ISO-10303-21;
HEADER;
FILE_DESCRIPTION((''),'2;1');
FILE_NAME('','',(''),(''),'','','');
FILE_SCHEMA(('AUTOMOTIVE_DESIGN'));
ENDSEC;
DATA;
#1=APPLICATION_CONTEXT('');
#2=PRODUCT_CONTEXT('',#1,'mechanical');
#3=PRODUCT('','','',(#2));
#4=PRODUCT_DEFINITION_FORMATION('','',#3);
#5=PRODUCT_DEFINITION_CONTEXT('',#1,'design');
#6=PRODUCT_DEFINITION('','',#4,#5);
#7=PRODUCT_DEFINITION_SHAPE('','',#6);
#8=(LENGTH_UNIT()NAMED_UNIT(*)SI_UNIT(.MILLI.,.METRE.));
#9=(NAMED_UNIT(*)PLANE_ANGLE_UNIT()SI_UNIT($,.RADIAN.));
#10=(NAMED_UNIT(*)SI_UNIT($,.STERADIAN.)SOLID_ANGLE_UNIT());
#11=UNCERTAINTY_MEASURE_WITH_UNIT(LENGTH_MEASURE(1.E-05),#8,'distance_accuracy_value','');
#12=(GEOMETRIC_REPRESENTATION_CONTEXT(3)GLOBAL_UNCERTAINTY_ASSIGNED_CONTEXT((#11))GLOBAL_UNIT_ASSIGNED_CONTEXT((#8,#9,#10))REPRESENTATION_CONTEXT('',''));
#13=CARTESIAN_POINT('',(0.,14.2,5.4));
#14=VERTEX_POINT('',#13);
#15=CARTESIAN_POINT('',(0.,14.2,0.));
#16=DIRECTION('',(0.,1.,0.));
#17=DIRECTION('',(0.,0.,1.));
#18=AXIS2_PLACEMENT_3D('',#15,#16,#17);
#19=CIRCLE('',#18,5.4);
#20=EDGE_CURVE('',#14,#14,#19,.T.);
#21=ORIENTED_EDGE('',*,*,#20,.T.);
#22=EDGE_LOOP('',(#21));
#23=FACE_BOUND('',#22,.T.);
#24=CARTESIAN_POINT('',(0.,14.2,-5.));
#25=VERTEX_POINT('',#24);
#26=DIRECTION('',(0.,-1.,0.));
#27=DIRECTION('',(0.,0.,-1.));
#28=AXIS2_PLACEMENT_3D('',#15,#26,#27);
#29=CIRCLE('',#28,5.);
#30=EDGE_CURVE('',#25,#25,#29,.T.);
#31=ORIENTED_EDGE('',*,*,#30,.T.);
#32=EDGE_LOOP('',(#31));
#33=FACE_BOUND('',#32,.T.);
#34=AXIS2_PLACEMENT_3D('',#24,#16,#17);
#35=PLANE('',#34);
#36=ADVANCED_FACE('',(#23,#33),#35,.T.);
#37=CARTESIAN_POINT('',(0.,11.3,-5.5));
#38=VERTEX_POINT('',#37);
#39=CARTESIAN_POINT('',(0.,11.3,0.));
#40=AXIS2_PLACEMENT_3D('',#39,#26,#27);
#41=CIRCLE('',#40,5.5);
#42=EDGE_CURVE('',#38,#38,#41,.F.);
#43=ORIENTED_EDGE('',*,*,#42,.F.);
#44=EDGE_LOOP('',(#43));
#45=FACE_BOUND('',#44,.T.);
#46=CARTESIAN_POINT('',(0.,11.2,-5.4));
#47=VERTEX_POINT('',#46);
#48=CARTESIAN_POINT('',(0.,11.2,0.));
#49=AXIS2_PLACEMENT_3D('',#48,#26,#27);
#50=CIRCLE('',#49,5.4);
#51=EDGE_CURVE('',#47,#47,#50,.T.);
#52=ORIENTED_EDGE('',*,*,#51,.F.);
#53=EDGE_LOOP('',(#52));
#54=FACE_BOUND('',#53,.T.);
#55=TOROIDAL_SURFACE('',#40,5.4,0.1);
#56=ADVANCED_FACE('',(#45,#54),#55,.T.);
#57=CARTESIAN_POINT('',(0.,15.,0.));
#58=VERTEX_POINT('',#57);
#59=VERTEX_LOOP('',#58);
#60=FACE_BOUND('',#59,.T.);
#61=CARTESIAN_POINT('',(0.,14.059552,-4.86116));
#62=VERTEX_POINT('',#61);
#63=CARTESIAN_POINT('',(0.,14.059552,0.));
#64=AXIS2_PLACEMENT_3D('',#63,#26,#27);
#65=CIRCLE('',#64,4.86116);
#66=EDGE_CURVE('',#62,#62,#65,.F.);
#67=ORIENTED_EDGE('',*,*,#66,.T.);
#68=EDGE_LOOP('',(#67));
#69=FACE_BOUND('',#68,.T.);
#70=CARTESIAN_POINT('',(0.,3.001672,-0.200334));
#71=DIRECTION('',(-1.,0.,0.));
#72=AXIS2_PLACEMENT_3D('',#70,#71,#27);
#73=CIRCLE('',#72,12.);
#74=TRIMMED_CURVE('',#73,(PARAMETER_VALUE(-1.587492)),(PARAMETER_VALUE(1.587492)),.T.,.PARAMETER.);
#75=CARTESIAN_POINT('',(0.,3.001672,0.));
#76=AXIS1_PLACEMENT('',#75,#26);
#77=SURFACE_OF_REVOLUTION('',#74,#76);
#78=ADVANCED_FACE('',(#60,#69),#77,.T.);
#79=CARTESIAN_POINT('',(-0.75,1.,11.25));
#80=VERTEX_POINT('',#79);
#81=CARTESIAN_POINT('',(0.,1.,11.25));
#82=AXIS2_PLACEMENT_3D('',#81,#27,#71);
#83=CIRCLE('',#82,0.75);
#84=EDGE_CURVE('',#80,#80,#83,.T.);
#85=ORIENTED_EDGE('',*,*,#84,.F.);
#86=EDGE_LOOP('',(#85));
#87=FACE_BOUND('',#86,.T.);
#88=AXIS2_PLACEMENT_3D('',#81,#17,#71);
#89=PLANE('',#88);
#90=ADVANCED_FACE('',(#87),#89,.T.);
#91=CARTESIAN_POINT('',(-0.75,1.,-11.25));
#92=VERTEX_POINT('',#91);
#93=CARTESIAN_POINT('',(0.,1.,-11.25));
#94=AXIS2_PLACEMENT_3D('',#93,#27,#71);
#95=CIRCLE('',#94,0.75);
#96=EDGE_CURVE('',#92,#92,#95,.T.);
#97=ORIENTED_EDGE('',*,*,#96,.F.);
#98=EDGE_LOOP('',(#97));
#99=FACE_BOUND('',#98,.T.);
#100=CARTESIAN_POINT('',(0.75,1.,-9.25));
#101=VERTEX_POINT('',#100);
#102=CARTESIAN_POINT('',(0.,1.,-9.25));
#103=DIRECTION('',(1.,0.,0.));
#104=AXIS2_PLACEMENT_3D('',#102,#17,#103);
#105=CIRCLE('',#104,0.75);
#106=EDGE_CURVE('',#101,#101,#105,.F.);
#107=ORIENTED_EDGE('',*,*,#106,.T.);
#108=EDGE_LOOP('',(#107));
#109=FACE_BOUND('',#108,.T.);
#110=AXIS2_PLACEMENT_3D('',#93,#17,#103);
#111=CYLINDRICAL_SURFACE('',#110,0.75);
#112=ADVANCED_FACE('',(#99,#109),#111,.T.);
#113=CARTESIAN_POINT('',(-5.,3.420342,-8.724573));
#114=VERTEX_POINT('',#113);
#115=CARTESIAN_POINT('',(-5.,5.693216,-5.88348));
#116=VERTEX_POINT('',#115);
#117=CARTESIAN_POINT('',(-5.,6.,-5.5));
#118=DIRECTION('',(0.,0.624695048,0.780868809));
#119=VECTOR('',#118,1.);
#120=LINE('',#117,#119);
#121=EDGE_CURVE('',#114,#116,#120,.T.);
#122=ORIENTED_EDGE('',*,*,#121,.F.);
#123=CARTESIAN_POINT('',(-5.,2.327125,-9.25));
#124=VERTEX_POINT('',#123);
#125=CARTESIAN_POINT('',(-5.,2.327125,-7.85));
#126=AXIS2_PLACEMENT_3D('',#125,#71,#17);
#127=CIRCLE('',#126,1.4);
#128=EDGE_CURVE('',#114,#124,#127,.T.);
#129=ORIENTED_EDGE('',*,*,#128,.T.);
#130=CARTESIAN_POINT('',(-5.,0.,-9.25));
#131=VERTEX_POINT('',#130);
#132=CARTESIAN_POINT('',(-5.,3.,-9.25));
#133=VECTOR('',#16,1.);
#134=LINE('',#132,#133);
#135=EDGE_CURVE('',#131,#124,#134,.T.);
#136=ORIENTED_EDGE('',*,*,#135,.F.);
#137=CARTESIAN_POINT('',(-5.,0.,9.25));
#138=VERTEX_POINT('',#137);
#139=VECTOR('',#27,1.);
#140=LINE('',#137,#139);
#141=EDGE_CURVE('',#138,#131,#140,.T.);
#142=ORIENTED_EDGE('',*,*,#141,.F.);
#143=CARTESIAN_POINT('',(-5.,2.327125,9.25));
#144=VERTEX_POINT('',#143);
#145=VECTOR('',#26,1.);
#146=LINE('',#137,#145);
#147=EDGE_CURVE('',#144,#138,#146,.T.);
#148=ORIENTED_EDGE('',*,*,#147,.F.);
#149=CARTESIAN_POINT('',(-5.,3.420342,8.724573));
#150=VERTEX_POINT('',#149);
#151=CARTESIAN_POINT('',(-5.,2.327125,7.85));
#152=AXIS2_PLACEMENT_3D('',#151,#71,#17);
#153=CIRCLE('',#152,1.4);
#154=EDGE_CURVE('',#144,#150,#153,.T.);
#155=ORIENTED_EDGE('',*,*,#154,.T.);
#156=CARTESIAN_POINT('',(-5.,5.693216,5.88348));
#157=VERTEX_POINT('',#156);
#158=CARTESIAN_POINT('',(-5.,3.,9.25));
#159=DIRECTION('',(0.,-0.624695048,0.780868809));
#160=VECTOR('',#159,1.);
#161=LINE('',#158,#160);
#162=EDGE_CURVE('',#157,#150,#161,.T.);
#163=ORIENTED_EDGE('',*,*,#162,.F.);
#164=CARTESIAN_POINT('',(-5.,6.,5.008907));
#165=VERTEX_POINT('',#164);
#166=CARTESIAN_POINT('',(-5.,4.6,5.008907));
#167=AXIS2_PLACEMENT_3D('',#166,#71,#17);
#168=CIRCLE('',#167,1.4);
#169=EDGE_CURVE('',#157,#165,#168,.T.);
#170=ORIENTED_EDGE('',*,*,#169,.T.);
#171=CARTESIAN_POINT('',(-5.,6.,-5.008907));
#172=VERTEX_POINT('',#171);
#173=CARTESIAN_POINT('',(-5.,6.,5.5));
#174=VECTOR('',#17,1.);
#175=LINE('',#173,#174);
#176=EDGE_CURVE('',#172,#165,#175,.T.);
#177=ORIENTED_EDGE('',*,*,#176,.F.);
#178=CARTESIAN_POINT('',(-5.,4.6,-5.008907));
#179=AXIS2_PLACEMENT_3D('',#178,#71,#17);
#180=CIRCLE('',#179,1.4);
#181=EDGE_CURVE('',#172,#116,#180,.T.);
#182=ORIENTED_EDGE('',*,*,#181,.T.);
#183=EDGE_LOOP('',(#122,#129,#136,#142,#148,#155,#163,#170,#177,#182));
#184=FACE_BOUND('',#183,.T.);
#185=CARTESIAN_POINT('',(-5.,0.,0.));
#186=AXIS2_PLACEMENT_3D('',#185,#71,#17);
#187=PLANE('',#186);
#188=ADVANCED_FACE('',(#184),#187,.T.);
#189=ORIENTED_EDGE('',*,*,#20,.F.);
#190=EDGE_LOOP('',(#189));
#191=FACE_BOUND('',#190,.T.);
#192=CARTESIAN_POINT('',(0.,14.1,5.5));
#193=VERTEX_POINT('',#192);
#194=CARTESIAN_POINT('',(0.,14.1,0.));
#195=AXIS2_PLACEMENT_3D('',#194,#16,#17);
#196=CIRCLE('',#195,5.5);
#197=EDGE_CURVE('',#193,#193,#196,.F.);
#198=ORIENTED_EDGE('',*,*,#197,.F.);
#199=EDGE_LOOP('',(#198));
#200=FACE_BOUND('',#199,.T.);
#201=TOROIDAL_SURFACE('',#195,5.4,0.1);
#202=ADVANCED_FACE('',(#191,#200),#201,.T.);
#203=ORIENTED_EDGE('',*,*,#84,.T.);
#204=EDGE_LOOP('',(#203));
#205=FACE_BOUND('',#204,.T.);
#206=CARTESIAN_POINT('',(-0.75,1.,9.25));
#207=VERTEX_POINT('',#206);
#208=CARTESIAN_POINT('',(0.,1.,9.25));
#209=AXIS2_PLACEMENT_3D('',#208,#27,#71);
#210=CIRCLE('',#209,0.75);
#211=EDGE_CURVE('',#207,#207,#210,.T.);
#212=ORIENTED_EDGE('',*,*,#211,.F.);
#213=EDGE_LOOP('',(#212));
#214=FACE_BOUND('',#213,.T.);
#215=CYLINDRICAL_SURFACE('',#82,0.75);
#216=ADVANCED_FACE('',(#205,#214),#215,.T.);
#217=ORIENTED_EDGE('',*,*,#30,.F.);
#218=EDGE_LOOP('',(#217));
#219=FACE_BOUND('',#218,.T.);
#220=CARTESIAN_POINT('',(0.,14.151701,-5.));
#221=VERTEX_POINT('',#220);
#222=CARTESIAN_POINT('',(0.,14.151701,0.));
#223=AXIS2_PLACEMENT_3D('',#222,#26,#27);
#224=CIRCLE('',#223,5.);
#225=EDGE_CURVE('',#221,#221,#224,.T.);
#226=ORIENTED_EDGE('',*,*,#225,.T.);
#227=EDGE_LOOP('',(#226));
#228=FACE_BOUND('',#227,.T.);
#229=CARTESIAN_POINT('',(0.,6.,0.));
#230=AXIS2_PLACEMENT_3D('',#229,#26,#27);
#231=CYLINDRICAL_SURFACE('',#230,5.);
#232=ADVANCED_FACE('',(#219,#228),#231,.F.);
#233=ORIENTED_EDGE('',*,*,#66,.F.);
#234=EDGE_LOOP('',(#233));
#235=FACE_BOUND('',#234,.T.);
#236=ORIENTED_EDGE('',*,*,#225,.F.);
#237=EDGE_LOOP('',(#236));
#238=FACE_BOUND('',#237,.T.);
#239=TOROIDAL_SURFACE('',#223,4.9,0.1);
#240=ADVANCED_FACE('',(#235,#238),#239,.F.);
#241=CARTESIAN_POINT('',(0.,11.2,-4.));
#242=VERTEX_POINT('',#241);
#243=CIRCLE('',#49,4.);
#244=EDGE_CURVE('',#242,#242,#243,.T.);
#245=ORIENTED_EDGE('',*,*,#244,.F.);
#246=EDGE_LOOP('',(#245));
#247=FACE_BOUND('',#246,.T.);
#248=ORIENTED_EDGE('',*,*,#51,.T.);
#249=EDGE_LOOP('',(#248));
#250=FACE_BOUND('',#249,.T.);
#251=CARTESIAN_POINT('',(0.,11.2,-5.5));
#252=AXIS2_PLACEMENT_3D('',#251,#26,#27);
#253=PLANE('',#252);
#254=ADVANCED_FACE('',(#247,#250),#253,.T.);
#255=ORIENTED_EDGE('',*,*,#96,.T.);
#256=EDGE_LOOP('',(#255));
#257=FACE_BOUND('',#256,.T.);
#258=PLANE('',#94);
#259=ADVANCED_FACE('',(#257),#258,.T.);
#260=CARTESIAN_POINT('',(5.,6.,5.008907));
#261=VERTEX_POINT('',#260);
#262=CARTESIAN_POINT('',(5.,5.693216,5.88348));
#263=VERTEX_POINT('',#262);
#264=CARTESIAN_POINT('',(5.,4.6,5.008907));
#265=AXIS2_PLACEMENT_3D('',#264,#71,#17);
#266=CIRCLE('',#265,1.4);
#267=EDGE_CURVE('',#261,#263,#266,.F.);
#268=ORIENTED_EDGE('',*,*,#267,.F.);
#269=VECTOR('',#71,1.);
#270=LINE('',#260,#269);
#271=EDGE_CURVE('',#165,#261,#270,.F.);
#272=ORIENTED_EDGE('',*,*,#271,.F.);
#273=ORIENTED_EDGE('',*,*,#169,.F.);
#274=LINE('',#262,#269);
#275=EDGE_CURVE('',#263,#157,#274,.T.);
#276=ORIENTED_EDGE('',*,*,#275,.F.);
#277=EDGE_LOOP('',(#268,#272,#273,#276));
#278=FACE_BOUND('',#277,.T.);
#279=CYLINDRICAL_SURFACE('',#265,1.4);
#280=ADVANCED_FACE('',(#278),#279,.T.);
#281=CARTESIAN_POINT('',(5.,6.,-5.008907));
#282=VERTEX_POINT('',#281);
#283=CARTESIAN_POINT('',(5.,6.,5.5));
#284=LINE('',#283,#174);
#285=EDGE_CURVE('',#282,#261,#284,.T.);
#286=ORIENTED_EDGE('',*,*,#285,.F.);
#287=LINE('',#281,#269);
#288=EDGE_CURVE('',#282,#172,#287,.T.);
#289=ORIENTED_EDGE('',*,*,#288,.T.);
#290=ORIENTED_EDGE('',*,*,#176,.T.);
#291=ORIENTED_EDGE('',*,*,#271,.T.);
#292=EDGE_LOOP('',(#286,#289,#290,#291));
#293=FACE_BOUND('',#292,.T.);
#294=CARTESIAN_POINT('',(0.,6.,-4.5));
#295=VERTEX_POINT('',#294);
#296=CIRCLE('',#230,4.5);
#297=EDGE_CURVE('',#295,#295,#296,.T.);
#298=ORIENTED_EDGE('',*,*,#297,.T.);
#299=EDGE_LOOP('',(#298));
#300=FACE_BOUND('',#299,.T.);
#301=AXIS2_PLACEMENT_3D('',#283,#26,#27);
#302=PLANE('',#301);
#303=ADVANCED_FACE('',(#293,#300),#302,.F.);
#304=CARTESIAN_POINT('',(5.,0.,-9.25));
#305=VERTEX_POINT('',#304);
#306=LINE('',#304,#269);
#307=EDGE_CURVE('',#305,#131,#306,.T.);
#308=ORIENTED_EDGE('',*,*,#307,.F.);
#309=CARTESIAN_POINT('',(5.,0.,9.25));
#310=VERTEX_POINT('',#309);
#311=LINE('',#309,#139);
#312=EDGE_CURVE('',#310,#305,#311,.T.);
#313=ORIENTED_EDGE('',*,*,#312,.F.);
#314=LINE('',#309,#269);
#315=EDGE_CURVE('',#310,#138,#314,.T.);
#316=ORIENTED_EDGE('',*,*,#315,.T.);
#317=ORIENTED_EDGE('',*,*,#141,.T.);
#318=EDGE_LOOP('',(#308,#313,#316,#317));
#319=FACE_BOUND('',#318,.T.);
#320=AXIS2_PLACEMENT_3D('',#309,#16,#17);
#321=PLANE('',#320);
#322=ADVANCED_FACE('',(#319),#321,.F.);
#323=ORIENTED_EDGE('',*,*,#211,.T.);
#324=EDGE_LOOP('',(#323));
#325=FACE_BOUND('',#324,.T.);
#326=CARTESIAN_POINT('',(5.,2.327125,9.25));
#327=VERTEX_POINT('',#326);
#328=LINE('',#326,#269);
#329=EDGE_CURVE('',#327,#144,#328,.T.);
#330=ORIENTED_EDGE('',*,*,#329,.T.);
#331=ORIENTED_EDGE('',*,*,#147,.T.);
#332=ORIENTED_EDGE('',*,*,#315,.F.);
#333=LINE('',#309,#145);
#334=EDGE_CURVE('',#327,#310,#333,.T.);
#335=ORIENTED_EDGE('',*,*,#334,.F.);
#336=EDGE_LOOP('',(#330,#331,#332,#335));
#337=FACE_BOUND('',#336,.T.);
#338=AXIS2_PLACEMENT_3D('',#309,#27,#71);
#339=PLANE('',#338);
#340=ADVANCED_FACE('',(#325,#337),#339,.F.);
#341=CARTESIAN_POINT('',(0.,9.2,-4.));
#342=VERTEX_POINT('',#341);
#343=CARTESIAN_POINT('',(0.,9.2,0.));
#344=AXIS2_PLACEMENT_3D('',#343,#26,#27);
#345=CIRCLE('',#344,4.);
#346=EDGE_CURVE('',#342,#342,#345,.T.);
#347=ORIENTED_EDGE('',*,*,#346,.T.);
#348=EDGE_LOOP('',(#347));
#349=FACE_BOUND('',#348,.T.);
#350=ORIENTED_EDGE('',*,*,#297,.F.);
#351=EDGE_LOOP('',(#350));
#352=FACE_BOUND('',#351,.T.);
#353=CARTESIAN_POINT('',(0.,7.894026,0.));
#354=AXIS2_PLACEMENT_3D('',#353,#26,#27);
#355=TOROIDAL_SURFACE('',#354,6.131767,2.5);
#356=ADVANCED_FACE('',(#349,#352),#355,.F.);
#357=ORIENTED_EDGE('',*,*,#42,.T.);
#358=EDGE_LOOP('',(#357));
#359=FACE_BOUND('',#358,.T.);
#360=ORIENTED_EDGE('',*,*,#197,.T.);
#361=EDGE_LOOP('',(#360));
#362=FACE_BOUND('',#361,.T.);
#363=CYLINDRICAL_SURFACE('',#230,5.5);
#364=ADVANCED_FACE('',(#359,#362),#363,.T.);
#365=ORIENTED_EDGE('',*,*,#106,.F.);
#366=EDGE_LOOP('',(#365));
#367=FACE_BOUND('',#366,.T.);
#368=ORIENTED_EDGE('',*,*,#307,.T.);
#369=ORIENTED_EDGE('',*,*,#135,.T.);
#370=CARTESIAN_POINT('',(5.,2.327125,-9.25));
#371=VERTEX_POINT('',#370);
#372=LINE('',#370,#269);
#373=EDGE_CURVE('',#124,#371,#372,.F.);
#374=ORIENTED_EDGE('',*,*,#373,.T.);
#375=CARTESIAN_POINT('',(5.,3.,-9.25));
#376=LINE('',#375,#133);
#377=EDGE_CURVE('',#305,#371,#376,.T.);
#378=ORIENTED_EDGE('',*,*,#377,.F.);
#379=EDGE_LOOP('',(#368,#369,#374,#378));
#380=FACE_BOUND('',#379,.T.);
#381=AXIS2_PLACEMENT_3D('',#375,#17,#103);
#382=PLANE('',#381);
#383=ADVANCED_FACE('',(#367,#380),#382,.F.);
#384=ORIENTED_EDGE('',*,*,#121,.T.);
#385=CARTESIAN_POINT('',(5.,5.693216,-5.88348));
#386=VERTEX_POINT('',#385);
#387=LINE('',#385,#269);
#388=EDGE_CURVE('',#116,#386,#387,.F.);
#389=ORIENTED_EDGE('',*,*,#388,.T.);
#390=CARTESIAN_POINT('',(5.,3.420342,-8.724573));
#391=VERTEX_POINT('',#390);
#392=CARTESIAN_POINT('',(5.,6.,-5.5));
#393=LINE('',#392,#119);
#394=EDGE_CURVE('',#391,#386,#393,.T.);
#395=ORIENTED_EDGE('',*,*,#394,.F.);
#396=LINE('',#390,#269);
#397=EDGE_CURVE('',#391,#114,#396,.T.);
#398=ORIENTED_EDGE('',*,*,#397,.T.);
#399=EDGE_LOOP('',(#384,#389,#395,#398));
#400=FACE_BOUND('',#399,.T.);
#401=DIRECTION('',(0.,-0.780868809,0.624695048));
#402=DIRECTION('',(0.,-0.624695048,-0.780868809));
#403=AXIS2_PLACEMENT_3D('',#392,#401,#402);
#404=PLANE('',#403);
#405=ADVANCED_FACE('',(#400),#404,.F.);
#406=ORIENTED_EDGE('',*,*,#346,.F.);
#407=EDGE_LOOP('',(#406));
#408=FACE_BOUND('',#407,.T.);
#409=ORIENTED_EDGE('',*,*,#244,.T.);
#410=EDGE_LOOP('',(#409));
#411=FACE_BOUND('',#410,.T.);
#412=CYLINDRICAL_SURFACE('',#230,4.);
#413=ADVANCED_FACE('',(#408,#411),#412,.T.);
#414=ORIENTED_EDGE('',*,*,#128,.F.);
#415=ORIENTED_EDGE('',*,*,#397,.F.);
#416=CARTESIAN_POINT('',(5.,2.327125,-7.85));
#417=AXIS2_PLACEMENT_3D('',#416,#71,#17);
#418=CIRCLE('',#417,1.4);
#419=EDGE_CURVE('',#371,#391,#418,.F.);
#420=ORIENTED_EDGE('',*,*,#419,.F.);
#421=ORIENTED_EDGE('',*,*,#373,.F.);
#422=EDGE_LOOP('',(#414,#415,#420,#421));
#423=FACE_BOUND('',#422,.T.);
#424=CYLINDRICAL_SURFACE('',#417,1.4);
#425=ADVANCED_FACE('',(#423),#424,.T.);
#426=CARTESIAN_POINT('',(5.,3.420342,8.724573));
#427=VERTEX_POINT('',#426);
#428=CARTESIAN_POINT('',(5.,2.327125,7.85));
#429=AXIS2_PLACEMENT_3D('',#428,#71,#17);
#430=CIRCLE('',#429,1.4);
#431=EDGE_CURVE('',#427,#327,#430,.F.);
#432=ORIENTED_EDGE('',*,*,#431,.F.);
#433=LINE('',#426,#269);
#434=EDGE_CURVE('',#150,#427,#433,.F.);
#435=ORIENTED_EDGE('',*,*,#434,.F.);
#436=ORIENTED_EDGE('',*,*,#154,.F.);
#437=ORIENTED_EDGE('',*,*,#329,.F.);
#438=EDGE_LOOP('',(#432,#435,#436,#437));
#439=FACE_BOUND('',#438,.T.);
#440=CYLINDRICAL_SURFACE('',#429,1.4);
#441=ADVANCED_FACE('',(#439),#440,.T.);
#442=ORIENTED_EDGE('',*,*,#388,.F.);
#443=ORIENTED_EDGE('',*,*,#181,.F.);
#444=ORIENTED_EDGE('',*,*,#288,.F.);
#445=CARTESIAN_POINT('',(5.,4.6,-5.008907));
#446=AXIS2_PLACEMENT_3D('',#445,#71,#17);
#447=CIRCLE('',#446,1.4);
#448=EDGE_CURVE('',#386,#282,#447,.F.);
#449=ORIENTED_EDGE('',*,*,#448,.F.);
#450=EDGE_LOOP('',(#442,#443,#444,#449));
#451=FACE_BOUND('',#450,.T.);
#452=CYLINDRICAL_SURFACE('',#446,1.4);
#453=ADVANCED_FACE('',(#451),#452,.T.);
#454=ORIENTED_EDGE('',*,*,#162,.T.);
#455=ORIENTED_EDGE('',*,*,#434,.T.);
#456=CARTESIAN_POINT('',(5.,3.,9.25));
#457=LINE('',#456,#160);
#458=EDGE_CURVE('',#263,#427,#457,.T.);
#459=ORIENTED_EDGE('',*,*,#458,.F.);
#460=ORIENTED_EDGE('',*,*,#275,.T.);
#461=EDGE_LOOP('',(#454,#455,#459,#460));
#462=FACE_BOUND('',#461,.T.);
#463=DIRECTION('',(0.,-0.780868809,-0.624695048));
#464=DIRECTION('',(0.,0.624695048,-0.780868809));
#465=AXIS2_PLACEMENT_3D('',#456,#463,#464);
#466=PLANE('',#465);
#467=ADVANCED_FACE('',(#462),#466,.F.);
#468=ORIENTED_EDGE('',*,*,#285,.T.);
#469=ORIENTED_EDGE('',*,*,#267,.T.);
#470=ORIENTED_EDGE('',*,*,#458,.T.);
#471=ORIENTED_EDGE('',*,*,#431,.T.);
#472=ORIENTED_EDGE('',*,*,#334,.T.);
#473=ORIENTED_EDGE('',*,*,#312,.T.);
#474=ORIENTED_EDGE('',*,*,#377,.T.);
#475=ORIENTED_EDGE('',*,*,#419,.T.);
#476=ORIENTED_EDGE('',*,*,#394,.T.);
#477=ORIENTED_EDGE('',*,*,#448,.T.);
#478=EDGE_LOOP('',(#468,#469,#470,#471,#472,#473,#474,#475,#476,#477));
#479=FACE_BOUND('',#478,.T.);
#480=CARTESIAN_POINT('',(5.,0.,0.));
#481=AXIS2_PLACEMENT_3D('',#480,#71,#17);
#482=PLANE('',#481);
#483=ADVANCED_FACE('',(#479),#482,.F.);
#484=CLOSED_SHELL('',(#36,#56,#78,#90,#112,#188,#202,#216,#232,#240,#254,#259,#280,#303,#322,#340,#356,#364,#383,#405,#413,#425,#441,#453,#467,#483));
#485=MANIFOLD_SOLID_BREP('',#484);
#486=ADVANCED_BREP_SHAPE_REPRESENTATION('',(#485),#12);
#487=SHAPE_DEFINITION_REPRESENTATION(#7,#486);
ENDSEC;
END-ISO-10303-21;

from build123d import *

# Parameters (mm, degrees)
BOSS_EXTRUDE1_DEPTH = 5
FILLET1_R           = 0.1
FILLET2_R           = 0.1
FILLET3_R           = 1.4
SKETCH4_R           = 0.75
BOSS_EXTRUDE2_DEPTH = 2


with BuildPart() as part:
    # Sketch1 → Boss-Extrude1 (new body, symmetric)
    with BuildSketch(Plane(origin=(0, 0, 0), x_dir=(0, 0, -1), z_dir=(1, 0, 0))):
        Polygon((-9.25, 0), (9.25, 0), (9.25, 3), (5.5, 6), (-5.5, 6), (-9.25, 3), align=None)
    extrude(amount=BOSS_EXTRUDE1_DEPTH, both=True)

    # Sketch2 → Revolve1 (revolve)
    with BuildSketch(Plane(origin=(0, 0, 0), x_dir=(0, 0, -1), z_dir=(1, 0, 0))):
        with BuildLine():
            Line((0, 6), (0, 14))
            Line((0, 14), (5, 14))
            Line((5, 14), (5, 14.2))
            Line((5, 14.2), (5.5, 14.2))
            Line((5.5, 14.2), (5.5, 11.2))
            Line((5.5, 11.2), (4, 11.2))
            Line((4, 11.2), (4, 9.2))
            ThreePointArc((4, 9.2), (3.661737334, 7.508083958), (4.5, 6))
            Line((4.5, 6), (0, 6))
        make_face()
    revolve(axis=Axis((0, 6, 0), (0, 1, 0)))

    # Sketch3 → Revolve2 (revolve)
    with BuildSketch(Plane(origin=(0, 0, 0), x_dir=(0, 0, -1), z_dir=(1, 0, 0))):
        with BuildLine():
            Line((0, 14.2), (0, 15))
            ThreePointArc((0, 15), (-2.553728094, 14.768640471), (-5, 14))
            Line((-5, 14), (0, 14))
            Line((0, 14), (0, 14.2))
        make_face()
    revolve(axis=Axis((0, 14.2, 0), (0, 1, 0)))

    # Fillet1
    fillet1_edges = [part.edges().sort_by_distance(p)[0] for p in [
        (0, 11.2, 5.5),
        (0, 14.2, 5.5),
    ]]
    fillet(fillet1_edges, radius=FILLET1_R)

    # Fillet2
    fillet2_edges = [part.edges().sort_by_distance(p)[0] for p in [
        (5, 14, 0),
    ]]
    fillet(fillet2_edges, radius=FILLET2_R)

    # Fillet3
    fillet3_edges = [part.edges().sort_by_distance(p)[0] for p in [
        (0, 3, 9.25),
        (0, 6, 5.5),
        (0, 6, -5.5),
        (0, 3, -9.25),
    ]]
    fillet(fillet3_edges, radius=FILLET3_R)

    # Sketch4 → Boss-Extrude2 (add)
    with BuildSketch(Plane(origin=(0, 0, -9.25), x_dir=(-1, 0, 0), z_dir=(0, 0, -1))):
        with Locations((0, 1)):
            Circle(SKETCH4_R)
    boss_extrude2 = extrude(amount=BOSS_EXTRUDE2_DEPTH)

    # Mirror1: Boss-Extrude2 across plane
    add(boss_extrude2.mirror(Plane.XY))


solid = part.part
